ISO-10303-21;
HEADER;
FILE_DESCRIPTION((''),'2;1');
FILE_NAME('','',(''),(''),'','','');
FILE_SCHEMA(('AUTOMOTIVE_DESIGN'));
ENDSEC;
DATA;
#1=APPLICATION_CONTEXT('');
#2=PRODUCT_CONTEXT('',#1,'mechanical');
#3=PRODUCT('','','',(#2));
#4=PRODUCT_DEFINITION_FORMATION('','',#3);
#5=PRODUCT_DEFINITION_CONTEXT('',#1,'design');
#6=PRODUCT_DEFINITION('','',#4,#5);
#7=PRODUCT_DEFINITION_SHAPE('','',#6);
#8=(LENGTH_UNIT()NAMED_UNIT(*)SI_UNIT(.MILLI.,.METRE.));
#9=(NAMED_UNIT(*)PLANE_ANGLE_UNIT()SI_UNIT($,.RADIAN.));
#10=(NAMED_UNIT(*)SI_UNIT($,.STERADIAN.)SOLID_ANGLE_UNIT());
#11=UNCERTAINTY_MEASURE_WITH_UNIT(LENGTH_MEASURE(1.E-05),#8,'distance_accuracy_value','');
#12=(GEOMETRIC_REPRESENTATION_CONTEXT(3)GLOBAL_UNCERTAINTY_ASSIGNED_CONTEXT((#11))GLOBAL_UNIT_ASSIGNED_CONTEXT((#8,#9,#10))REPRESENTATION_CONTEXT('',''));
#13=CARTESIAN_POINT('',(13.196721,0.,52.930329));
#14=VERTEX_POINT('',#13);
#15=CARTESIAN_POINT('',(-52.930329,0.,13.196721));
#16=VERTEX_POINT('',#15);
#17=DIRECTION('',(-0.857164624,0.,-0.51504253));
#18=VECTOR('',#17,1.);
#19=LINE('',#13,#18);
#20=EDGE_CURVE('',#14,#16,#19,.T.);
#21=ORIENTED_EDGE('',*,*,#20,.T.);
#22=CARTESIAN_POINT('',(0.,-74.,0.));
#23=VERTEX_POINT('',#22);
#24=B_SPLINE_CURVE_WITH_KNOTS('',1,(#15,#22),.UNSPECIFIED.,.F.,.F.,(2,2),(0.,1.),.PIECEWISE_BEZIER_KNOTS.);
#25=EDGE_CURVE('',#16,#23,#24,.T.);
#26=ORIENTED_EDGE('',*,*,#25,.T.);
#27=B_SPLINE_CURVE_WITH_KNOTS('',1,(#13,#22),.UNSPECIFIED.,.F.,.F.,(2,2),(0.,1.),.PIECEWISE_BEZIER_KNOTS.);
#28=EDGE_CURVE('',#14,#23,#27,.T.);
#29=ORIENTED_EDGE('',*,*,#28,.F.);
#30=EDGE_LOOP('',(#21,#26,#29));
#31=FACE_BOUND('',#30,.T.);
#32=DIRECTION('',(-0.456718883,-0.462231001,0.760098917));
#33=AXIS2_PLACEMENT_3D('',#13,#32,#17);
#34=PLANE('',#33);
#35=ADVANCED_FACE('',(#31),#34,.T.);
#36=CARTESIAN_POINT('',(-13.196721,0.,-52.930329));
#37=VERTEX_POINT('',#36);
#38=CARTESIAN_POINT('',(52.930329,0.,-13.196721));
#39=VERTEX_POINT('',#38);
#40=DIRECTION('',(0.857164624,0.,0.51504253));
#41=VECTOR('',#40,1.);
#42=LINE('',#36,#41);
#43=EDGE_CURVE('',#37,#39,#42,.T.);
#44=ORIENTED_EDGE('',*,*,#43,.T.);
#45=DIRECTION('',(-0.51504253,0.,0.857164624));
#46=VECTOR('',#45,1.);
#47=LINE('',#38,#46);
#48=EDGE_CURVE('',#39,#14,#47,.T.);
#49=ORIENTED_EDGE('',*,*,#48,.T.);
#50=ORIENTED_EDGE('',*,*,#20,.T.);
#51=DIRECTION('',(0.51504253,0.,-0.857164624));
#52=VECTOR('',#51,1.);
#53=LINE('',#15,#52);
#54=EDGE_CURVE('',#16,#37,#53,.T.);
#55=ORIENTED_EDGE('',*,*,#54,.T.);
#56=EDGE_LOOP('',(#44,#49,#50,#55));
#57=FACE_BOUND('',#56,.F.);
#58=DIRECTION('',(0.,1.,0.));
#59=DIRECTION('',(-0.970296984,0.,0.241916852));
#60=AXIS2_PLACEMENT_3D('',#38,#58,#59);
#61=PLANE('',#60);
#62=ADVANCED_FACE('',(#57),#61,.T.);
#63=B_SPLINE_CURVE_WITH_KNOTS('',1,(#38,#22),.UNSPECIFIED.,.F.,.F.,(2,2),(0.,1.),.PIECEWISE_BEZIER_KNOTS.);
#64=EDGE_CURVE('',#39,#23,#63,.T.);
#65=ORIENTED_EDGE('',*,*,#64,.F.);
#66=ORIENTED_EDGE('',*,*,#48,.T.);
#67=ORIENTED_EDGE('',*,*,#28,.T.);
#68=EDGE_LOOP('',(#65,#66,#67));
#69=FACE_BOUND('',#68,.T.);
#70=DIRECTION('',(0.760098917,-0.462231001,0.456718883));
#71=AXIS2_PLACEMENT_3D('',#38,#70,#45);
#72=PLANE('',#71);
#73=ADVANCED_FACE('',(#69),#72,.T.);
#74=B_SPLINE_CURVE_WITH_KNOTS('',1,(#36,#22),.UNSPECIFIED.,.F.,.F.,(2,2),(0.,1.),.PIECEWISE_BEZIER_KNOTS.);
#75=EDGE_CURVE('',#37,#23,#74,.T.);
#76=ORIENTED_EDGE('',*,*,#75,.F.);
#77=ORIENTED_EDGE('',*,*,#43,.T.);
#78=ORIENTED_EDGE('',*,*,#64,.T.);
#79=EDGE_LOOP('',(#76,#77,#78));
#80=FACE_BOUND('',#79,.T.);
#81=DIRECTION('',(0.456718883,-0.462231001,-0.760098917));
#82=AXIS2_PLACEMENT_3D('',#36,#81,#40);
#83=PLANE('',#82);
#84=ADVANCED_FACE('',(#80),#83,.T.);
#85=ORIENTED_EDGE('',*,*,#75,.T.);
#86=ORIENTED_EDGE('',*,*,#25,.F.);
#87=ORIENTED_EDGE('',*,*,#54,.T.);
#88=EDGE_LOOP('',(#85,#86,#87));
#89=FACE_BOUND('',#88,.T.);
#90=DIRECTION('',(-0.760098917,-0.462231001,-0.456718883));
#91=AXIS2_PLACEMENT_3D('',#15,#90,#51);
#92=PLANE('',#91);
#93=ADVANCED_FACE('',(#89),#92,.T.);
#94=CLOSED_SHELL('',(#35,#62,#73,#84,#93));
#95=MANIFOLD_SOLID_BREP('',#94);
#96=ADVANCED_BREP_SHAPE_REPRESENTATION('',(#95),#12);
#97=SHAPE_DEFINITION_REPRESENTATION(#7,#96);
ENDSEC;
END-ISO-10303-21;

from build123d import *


with BuildPart() as f3:
    # F0 (on Front) → F3 section 0
    with BuildSketch(Plane.XZ, mode=Mode.PRIVATE) as f3_s0:
        Polygon((52.930329, -13.196721), (13.196721, 52.930329), (-52.930329, 13.196721), (-13.196721, -52.930329), align=None)
    loft([f3_s0.sketch, Vertex(0, -74, 0)])


solid = f3.part
